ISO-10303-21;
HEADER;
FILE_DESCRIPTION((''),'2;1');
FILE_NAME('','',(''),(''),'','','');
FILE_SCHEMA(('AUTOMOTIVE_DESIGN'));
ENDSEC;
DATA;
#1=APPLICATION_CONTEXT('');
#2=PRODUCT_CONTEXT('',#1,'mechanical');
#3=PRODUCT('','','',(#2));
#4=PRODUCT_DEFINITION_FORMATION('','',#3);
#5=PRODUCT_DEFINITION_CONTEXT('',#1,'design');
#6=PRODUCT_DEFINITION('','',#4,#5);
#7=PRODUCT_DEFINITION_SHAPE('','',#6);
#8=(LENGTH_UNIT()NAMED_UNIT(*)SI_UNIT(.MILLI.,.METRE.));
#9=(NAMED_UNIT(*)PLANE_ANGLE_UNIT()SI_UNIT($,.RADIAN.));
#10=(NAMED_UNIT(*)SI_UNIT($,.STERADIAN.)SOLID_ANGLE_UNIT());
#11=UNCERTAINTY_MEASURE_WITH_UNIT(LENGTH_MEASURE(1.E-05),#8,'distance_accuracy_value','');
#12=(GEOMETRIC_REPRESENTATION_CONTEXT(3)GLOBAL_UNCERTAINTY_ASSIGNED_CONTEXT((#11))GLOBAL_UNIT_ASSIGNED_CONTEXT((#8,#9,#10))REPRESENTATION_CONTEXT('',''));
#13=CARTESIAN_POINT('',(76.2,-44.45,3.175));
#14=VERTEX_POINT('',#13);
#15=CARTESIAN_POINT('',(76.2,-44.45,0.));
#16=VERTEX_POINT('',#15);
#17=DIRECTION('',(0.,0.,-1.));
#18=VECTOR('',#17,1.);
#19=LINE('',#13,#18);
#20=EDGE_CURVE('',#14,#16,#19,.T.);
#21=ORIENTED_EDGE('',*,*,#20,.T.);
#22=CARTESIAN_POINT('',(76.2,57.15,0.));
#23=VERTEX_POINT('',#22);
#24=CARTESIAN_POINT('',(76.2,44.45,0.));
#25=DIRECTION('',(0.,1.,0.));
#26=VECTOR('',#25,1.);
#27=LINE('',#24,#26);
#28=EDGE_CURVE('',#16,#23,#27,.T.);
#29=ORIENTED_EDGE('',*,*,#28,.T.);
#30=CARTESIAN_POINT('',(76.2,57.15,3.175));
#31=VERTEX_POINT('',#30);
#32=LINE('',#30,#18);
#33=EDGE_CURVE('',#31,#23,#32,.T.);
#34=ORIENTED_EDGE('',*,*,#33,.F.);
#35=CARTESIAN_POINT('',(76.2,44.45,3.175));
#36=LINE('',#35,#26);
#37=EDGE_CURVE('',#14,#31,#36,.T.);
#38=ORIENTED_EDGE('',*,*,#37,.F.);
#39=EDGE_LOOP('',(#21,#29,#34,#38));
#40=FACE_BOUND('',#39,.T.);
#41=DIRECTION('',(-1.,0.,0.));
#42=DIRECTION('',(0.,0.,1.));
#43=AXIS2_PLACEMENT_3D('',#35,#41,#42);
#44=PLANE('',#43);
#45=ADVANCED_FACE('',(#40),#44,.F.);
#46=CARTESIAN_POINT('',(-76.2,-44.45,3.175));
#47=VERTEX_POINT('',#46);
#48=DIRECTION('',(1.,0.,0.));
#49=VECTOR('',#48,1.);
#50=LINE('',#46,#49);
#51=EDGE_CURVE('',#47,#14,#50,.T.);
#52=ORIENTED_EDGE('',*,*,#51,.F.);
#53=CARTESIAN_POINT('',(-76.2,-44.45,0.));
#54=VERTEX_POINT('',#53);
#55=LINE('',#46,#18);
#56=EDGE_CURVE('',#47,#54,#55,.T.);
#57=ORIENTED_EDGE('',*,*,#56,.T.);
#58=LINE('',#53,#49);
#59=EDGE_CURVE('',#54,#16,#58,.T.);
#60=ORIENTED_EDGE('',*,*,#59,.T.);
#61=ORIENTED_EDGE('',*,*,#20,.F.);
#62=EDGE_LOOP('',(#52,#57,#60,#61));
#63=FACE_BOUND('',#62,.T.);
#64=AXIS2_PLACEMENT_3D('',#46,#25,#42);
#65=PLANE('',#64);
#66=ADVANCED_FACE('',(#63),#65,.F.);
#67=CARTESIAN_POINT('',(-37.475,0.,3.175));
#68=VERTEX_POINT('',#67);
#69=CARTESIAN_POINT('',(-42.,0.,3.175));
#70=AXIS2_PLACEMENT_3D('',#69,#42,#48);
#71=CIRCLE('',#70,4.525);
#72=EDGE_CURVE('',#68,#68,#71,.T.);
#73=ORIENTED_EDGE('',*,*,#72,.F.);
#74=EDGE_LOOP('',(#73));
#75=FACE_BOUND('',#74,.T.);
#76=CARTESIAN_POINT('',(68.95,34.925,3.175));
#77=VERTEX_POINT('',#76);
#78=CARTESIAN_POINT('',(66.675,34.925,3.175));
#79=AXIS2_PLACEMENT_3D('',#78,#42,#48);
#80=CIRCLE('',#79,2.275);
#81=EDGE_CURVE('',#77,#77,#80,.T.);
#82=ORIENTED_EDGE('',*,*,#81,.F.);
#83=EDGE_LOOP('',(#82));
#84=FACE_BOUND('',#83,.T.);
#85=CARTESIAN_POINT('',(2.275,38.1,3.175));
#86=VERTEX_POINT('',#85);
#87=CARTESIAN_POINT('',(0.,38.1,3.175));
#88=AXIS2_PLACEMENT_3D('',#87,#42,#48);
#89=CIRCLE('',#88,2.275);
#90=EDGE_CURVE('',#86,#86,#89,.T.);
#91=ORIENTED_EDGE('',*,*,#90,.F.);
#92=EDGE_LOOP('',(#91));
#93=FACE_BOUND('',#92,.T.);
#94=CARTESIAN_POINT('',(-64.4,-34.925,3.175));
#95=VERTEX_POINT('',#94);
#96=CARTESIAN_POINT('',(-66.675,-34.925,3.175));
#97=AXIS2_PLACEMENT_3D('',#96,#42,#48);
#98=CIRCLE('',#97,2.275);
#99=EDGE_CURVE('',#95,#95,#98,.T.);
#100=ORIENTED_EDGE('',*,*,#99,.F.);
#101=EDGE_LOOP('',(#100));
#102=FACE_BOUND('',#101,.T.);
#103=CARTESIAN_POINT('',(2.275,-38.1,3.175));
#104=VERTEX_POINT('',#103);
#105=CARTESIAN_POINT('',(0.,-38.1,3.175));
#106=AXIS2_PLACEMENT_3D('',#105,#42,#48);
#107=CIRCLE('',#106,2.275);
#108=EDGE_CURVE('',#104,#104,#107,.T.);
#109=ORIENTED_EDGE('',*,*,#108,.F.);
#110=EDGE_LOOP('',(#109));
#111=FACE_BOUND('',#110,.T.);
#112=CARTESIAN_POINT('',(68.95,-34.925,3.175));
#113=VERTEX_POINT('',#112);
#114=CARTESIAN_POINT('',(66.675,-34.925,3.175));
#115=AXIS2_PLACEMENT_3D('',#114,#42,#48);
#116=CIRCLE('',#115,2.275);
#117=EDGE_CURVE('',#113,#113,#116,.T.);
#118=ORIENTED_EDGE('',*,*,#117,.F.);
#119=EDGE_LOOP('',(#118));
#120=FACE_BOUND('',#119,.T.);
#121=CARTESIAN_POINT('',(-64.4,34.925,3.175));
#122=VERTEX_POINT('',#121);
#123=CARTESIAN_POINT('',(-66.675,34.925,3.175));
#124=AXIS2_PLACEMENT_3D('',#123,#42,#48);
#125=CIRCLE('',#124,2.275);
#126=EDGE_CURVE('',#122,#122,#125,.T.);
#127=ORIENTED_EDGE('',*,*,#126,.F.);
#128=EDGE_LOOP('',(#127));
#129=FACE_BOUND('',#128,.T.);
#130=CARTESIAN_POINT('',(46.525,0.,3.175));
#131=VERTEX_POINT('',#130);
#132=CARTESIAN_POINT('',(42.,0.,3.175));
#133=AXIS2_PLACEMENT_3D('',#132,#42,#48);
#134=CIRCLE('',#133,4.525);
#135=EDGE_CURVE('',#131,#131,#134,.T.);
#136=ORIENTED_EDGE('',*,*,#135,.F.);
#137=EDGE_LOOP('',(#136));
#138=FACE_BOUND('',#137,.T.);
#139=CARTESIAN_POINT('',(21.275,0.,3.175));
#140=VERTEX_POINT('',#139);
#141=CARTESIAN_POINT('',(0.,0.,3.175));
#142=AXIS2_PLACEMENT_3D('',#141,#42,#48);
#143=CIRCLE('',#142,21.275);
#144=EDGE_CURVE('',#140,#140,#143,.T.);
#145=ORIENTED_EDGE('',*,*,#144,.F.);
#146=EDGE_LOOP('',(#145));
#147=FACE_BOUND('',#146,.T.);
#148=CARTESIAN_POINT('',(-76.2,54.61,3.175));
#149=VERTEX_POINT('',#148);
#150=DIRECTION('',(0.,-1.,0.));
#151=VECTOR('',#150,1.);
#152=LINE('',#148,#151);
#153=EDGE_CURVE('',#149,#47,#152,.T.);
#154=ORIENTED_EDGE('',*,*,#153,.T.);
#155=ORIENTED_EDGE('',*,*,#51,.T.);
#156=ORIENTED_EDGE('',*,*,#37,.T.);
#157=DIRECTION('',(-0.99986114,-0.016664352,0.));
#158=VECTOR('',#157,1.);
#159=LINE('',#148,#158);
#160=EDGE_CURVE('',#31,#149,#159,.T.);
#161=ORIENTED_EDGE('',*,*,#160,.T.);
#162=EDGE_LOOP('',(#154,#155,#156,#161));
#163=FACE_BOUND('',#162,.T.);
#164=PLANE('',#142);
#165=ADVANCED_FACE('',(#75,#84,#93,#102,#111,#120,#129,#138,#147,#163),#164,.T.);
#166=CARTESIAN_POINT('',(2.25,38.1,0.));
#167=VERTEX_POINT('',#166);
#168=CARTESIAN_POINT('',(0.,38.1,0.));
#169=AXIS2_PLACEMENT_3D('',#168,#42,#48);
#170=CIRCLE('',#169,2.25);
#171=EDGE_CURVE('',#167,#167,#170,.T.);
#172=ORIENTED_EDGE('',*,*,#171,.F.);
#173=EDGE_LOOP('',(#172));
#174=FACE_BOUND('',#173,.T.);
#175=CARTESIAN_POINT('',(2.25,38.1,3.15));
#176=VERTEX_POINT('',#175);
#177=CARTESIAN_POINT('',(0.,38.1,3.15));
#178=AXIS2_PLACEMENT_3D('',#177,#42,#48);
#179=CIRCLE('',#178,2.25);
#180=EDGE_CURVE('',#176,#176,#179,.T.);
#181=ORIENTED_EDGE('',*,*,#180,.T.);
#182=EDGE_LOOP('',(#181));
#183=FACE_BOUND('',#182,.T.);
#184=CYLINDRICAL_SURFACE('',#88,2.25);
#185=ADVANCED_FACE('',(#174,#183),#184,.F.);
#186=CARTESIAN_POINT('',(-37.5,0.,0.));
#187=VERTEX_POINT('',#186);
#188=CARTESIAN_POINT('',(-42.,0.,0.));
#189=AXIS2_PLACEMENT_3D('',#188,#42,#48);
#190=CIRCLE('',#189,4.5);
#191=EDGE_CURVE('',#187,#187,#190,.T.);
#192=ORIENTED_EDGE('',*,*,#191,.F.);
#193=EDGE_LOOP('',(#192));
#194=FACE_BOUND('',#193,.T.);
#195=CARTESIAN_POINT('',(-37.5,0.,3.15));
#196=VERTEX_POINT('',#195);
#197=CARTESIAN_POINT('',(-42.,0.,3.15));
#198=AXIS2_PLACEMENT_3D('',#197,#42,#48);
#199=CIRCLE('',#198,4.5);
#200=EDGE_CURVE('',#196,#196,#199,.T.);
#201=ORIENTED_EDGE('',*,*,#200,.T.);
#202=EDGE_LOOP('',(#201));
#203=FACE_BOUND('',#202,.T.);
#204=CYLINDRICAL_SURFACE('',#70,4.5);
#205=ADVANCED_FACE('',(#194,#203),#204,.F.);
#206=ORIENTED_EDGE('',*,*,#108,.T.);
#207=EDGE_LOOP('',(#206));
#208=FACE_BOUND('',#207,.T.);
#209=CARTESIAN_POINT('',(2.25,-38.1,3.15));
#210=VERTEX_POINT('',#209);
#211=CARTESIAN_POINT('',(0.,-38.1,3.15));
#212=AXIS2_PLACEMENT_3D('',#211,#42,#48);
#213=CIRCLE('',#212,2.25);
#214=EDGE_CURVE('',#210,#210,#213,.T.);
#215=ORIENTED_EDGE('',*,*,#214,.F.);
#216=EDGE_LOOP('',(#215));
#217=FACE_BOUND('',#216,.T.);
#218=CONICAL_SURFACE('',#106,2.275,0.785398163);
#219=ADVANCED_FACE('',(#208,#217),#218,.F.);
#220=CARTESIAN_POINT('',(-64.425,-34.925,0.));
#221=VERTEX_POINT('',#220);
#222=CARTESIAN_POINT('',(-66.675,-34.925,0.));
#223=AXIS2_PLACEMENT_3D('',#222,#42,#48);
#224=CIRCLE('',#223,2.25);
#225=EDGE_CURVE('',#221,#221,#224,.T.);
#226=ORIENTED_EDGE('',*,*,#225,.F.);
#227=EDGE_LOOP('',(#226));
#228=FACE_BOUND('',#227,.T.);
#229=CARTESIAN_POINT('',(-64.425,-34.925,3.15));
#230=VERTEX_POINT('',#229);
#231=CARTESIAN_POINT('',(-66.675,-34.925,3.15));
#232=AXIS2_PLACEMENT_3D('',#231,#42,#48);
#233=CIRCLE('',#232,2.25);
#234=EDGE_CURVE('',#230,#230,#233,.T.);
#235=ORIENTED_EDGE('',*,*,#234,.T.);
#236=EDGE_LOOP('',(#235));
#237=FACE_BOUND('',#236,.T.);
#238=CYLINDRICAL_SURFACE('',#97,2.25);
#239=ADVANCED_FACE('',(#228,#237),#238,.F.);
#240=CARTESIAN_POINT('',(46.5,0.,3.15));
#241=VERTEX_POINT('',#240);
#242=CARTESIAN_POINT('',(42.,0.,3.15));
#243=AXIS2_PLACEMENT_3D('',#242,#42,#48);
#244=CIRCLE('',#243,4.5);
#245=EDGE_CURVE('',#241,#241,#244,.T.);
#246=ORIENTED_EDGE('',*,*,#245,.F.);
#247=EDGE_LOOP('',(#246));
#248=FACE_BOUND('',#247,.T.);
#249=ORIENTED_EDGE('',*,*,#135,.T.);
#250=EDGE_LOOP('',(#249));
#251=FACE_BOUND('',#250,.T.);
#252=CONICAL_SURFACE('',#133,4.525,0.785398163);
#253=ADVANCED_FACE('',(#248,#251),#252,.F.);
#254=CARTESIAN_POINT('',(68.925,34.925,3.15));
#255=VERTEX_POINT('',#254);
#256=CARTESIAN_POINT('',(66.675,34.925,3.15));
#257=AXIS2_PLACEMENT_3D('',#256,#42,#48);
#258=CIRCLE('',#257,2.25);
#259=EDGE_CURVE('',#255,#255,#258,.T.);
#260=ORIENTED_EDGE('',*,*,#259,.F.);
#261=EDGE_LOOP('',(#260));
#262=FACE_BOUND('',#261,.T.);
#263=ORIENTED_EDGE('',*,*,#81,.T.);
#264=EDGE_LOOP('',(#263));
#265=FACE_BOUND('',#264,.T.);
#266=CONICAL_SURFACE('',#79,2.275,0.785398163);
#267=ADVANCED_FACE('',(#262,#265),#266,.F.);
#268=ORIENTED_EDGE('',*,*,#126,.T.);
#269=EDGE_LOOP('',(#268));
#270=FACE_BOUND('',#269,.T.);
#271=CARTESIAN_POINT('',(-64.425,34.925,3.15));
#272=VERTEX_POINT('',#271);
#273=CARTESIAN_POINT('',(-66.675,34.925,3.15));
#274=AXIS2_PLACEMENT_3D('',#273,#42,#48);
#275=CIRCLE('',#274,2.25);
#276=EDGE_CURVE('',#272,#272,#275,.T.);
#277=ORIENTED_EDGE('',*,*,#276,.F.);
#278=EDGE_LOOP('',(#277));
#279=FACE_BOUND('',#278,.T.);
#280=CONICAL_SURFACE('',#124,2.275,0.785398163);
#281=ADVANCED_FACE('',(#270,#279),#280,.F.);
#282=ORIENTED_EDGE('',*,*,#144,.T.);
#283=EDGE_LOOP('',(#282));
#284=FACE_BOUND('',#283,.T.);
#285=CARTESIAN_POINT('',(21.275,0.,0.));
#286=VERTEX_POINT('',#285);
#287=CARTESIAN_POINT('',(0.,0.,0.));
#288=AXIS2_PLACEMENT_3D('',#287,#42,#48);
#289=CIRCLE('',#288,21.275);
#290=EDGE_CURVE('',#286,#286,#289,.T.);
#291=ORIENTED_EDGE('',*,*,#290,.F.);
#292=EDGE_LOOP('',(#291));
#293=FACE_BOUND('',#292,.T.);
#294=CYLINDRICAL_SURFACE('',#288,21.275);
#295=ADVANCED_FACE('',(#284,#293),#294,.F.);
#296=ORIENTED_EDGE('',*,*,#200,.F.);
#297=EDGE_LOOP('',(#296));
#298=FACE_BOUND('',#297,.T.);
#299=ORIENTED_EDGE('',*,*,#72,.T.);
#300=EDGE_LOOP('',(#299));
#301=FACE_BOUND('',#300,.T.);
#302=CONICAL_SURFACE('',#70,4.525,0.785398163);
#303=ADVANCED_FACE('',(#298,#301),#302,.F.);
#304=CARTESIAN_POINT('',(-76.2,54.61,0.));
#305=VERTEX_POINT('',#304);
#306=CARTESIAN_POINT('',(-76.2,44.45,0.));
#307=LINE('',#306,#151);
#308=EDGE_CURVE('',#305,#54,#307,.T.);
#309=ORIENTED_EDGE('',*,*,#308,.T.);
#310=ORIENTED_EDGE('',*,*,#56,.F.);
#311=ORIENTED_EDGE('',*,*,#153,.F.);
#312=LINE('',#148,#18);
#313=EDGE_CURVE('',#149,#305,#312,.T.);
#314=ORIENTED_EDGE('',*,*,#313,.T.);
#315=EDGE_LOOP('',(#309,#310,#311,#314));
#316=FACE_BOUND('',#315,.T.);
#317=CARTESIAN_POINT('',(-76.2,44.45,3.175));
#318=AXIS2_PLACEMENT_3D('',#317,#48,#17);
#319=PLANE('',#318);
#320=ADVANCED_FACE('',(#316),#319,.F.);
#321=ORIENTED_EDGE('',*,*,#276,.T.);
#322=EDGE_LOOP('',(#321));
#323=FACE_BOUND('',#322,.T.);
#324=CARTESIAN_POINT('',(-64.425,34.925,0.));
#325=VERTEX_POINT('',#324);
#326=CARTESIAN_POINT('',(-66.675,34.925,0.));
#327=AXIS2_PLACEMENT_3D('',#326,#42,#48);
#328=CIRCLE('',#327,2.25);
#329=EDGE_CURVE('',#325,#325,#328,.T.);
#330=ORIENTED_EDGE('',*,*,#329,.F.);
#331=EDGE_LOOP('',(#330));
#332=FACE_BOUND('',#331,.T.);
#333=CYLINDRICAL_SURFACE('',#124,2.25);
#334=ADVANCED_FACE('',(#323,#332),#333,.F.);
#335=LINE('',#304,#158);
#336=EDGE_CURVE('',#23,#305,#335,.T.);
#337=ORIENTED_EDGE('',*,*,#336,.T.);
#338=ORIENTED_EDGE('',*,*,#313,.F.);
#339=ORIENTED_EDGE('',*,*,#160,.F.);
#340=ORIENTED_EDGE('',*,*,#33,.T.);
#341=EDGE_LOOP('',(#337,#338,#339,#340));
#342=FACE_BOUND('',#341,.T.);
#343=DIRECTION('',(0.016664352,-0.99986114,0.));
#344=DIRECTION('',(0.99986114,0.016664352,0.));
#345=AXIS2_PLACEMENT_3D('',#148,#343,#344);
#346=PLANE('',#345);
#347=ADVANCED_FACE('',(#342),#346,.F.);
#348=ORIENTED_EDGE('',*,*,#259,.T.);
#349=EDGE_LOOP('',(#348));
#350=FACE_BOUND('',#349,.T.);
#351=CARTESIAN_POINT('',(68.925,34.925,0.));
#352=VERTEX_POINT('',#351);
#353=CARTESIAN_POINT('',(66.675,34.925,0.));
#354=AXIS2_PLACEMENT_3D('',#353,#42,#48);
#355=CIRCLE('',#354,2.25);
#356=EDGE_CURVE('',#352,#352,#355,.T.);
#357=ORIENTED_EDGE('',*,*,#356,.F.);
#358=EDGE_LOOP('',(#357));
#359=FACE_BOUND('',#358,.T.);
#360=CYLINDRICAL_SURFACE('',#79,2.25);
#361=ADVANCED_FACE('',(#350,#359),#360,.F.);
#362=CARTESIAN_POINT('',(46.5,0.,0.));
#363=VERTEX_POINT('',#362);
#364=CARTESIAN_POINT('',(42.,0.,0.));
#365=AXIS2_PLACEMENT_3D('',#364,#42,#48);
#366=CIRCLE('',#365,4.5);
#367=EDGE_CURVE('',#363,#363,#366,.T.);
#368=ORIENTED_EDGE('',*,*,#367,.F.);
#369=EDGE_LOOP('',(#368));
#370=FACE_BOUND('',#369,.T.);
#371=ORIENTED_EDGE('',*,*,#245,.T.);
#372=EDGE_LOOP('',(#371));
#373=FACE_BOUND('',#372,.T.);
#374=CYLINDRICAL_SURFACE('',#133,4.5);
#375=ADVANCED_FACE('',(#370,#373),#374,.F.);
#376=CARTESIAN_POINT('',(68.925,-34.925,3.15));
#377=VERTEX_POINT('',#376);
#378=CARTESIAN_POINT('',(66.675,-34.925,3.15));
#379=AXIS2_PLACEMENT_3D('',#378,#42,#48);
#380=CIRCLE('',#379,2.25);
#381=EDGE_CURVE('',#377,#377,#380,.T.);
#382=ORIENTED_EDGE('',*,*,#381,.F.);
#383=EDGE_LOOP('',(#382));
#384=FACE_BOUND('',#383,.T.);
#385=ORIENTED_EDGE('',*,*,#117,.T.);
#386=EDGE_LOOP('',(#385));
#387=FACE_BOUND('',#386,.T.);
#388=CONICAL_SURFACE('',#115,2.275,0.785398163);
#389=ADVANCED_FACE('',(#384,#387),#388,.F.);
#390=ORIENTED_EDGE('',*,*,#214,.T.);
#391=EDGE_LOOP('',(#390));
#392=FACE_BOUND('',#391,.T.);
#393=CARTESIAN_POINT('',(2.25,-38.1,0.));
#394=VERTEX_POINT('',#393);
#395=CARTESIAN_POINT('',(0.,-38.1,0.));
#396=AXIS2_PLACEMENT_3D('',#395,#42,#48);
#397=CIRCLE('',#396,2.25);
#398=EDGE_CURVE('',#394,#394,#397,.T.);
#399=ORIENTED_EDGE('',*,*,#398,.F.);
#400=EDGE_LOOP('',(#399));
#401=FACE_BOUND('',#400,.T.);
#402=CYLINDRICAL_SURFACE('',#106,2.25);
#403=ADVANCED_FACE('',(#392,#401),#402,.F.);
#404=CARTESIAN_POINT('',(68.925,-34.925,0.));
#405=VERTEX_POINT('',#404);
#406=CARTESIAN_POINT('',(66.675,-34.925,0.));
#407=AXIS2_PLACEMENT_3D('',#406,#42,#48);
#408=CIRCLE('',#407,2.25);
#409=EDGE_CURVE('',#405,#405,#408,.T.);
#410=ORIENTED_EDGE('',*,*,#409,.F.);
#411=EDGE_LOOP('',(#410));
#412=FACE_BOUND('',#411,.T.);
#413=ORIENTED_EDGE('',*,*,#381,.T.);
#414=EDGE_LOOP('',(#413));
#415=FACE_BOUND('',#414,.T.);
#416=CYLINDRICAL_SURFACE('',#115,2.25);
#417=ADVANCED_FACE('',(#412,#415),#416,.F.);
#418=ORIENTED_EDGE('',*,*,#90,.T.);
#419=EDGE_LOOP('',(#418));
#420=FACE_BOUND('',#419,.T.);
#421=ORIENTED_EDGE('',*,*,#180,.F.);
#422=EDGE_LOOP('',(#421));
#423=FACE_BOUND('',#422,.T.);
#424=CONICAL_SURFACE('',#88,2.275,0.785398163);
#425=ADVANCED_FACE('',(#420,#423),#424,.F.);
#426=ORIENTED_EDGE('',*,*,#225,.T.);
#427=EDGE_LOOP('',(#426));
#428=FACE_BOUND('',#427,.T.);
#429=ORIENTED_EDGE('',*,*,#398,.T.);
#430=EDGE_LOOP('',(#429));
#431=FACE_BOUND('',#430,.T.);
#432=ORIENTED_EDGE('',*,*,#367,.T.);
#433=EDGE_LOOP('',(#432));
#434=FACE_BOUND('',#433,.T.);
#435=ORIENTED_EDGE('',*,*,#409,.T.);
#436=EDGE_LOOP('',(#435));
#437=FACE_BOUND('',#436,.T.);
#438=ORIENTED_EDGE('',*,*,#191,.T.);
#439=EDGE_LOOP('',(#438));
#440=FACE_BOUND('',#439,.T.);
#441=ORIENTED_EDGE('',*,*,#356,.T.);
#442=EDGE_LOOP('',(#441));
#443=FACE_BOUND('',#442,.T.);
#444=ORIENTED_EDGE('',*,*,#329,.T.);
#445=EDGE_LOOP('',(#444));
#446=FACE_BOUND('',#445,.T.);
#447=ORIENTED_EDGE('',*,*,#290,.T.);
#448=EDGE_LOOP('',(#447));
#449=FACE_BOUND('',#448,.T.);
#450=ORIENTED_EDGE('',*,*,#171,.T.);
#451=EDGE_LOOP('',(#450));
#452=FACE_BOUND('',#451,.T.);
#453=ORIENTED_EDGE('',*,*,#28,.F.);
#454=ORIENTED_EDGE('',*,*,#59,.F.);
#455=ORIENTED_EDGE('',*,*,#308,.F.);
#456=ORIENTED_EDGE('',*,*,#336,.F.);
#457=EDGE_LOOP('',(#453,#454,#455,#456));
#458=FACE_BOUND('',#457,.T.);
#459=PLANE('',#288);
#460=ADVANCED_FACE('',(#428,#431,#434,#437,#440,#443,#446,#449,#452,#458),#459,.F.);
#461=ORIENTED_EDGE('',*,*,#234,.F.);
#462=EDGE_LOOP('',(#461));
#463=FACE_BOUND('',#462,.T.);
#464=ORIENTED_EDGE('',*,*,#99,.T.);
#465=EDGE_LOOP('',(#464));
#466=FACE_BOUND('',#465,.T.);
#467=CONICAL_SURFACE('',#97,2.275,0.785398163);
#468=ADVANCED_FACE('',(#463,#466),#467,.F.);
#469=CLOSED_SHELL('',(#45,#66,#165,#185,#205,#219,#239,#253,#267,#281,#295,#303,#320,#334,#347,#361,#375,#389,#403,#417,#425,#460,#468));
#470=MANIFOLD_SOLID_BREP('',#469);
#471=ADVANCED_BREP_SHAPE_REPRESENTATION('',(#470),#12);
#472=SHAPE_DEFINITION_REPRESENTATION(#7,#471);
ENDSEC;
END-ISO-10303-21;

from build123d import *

# Parameters (mm, degrees)
BOSS_EXTRUDE1_DEPTH            = 3.175
M4_CLEARANCE_HOLE1_D           = 4.5
M4_CLEARANCE_HOLE1_CSINK_D     = 4.55
M4_CLEARANCE_HOLE1_CSINK_ANGLE = 90
M8_CLEARANCE_HOLE1_AT_2_COUNT  = 2
M8_CLEARANCE_HOLE1_AT_2_PITCH  = 84
SKETCH9_R                      = 21.275
CENTER_HOLE_DEPTH              = 96.302901976


with BuildPart() as part:
    # Sketch1 → Boss-Extrude1 (new body)
    with BuildSketch(Plane.XY):
        Polygon((-76.2, 54.61), (-76.2, 44.45), (-76.2, -44.45), (76.2, -44.45), (76.2, 44.45), (76.2, 57.15), align=None)
    extrude(amount=BOSS_EXTRUDE1_DEPTH)

    # M4 Clearance Hole1 (through all)
    with Locations(Plane.XY.offset(3.175)):
        with Locations((0, 38.1), (-66.675, 34.925), (-66.675, -34.925), (0, -38.1), (66.675, -34.925), (66.675, 34.925)):
            CounterSinkHole(M4_CLEARANCE_HOLE1_D / 2, M4_CLEARANCE_HOLE1_CSINK_D / 2, counter_sink_angle=M4_CLEARANCE_HOLE1_CSINK_ANGLE)

    # Sketch11 → M8 Clearance Hole1 (revolve, cut)
    with BuildSketch(Plane(origin=(-42, 0, 3.175), x_dir=(0, -1, 0), z_dir=(1, 0, 0))):
        Polygon((0, 0), (0, 3.175), (4.5, 3.175), (4.5, 0.025), (4.525, 0), align=None)
    m8_clearance_hole1 = revolve(axis=Axis((-42, 0, 9.525), (0, 0, -1)), mode=Mode.SUBTRACT)

    # M8 Clearance Hole1 at 2: M8 Clearance Hole1 ×2
    with Locations(*[(i * M8_CLEARANCE_HOLE1_AT_2_PITCH, 0, 0) for i in range(1, M8_CLEARANCE_HOLE1_AT_2_COUNT)]):
        add(m8_clearance_hole1, mode=Mode.SUBTRACT)

    # Sketch9 → Center Hole (cut, through all)
    with BuildSketch(Plane.XY.offset(3.175)):
        Circle(SKETCH9_R)
    extrude(amount=-CENTER_HOLE_DEPTH, mode=Mode.SUBTRACT)


solid = part.part
